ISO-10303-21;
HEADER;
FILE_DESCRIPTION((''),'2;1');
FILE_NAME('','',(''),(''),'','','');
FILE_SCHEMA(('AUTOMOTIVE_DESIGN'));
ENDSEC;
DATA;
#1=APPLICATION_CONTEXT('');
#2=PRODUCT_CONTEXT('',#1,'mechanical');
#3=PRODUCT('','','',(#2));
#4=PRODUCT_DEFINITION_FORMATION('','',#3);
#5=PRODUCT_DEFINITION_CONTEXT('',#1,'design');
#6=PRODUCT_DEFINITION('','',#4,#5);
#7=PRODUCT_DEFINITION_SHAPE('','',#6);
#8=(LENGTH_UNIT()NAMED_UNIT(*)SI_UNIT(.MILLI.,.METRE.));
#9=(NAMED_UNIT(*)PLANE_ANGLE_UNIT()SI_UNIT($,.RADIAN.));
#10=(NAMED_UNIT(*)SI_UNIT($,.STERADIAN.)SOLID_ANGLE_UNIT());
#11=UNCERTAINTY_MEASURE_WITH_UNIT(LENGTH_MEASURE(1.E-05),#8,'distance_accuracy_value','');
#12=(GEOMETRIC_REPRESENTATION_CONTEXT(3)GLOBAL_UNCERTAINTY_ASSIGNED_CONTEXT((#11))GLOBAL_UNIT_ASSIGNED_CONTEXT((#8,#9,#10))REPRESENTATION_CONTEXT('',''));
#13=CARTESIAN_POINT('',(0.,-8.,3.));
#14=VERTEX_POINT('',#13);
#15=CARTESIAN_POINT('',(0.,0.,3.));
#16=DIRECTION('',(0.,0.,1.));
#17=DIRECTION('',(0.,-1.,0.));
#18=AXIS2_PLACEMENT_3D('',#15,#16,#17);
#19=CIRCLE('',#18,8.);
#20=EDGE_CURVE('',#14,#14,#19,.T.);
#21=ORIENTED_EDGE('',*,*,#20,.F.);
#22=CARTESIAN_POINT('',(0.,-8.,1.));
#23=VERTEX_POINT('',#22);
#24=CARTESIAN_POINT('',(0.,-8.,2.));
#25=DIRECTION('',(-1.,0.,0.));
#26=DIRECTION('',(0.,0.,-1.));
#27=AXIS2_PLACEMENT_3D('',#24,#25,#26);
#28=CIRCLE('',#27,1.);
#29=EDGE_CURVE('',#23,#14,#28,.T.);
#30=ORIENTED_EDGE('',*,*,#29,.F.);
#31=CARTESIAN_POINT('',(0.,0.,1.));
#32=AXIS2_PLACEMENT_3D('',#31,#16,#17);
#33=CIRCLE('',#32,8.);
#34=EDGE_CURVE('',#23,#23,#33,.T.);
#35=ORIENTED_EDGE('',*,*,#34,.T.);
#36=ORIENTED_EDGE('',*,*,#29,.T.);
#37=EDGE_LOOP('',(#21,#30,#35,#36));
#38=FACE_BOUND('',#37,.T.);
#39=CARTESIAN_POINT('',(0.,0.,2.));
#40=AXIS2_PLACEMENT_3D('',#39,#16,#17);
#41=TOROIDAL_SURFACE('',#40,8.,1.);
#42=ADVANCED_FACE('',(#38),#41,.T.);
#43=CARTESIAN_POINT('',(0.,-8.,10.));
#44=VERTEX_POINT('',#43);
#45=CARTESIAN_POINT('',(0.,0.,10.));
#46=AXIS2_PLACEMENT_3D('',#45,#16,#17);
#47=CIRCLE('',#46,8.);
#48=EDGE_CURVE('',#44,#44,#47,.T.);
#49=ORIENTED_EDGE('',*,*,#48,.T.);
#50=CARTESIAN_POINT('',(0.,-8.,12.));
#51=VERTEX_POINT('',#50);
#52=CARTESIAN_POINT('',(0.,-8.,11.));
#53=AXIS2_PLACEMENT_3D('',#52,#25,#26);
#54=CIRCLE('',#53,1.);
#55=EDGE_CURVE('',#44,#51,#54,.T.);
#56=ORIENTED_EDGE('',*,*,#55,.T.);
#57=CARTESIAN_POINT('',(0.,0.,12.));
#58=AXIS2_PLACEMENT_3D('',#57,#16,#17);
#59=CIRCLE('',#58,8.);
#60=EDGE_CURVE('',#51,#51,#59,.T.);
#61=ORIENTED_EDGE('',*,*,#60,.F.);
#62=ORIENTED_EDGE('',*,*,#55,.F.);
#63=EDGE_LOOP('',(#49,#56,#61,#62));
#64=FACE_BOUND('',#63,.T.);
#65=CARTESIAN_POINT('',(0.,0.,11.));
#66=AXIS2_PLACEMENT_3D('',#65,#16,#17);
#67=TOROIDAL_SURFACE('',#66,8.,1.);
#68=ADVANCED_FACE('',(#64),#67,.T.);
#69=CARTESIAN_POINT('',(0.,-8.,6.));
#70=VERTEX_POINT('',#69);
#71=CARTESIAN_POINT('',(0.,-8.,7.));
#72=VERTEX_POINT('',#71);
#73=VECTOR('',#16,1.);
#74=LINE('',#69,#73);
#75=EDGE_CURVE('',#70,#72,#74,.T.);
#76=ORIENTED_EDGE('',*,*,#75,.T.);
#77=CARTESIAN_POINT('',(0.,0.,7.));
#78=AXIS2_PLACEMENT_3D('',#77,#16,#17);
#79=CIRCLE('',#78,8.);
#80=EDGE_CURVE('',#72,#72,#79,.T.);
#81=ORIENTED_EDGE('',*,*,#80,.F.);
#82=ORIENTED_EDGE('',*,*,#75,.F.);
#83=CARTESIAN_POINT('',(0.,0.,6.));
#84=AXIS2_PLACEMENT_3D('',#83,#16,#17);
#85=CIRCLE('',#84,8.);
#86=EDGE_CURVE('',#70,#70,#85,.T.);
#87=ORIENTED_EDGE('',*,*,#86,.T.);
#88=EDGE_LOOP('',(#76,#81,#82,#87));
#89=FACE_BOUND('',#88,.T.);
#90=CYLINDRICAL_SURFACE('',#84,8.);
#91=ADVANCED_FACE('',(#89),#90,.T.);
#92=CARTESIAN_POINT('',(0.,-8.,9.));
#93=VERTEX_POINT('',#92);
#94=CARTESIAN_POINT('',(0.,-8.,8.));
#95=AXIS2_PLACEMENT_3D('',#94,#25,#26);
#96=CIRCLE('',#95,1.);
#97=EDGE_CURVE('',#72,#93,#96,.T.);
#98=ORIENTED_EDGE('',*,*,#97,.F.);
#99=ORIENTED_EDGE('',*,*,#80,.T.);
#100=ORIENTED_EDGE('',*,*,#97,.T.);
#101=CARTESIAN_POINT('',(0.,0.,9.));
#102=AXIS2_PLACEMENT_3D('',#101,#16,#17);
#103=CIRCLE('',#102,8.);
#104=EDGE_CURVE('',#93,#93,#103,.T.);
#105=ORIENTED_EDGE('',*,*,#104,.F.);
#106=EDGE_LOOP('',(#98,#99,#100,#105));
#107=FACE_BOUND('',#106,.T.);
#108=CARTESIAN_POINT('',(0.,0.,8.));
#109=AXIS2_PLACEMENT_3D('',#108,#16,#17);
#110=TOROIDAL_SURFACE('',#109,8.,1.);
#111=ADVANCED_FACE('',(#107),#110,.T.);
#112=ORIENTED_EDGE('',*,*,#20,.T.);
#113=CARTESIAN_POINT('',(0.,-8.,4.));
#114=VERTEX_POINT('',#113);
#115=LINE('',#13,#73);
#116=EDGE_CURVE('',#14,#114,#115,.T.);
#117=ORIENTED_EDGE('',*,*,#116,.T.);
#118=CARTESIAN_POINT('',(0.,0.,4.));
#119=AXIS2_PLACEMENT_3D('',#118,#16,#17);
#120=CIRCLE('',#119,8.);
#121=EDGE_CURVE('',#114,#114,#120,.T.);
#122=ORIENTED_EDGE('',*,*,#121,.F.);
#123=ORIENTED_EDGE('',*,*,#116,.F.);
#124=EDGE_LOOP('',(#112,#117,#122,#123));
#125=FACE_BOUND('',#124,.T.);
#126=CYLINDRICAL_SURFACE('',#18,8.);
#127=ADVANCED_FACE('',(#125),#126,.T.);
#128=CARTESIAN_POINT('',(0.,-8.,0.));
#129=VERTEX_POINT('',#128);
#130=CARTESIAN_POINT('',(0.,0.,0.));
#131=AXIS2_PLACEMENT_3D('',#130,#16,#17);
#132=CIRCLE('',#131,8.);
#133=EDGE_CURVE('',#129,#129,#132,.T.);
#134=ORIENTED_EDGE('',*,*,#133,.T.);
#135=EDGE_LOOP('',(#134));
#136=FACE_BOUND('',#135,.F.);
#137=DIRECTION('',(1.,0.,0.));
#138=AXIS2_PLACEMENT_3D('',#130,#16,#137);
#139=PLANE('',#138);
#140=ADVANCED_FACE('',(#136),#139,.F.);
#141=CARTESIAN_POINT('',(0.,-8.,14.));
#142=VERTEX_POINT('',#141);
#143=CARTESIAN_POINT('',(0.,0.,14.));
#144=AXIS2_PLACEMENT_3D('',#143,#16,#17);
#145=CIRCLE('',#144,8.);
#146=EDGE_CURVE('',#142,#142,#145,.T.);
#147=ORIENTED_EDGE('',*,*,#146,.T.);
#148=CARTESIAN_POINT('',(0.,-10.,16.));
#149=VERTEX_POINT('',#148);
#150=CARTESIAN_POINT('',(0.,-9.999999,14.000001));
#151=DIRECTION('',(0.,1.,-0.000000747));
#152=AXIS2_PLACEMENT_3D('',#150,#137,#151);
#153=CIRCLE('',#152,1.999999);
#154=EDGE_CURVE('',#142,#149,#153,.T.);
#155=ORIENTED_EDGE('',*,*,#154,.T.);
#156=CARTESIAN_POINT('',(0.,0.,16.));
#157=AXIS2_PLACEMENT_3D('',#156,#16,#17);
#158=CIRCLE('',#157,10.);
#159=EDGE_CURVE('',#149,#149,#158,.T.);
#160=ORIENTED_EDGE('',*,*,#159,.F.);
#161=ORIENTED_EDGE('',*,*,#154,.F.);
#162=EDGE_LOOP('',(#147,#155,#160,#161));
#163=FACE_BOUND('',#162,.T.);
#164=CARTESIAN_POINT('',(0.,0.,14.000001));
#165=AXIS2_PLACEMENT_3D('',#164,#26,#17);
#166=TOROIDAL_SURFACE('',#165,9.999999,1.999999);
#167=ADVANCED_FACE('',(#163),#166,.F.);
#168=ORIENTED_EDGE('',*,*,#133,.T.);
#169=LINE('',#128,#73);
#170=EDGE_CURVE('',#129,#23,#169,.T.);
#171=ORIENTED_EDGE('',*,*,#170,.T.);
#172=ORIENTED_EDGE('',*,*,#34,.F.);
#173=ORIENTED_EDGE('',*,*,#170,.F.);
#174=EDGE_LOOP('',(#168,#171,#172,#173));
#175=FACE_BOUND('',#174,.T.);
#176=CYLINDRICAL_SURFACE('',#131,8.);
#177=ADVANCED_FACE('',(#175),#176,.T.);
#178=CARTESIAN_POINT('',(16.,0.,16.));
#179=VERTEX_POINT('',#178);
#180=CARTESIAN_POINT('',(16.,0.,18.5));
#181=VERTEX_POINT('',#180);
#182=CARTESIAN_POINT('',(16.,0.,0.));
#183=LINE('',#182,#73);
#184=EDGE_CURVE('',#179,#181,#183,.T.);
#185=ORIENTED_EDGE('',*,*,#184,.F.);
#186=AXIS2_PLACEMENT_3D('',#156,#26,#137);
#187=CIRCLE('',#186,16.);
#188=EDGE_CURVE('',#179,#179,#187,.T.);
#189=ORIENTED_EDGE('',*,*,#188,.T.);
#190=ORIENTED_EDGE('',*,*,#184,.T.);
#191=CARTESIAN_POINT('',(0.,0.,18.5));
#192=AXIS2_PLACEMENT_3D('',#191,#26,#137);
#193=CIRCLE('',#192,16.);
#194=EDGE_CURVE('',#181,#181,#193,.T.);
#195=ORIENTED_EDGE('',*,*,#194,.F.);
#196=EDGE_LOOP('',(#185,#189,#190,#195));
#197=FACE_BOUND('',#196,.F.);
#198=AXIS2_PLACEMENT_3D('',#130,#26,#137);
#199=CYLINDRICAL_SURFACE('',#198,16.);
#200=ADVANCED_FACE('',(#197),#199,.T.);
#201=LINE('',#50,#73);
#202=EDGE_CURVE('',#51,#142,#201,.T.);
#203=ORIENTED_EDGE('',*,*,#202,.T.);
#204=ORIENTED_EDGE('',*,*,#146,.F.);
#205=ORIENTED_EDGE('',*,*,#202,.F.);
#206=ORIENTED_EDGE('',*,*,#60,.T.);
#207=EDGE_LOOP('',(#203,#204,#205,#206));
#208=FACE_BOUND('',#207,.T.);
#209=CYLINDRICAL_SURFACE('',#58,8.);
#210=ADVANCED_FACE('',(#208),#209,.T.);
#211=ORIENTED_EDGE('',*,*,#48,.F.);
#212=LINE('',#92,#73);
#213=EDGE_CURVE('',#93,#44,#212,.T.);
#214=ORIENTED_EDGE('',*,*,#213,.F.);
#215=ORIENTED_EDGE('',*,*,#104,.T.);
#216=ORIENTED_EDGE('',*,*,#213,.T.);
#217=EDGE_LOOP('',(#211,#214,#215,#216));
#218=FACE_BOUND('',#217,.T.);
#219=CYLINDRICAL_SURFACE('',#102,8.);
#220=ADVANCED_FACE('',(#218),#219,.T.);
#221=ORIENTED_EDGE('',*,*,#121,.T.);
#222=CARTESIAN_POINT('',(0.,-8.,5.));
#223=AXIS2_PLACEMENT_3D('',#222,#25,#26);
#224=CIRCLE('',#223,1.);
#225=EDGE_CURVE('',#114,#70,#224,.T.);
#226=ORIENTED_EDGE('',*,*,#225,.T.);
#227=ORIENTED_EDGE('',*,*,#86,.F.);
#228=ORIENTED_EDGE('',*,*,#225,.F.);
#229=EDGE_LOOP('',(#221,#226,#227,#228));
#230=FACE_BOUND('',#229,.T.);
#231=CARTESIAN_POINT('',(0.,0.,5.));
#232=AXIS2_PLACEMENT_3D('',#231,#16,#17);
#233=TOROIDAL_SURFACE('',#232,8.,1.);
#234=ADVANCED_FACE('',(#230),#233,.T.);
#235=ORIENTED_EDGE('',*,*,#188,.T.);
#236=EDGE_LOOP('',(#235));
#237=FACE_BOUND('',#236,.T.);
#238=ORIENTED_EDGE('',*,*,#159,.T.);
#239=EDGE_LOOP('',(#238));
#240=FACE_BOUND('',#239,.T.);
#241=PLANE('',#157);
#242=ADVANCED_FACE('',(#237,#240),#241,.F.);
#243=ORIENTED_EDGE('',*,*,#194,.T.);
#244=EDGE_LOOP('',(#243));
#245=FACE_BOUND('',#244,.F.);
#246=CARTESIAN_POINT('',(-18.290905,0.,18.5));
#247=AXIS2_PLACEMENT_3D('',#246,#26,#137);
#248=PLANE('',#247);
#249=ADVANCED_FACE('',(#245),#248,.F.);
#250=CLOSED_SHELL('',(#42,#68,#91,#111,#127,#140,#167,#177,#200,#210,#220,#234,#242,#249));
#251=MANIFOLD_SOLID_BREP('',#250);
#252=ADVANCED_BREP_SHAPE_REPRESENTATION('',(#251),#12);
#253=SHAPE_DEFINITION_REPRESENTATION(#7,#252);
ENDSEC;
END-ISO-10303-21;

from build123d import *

# Parameters (mm, degrees)
F0_R     = 16
F1_DEPTH = 45
F3_DEPTH = 25
F7_DEPTH = 1
F8_W     = 37.770492
F8_H     = 32
F9_DEPTH = 25


with BuildPart() as f1:
    # F0 (on Top) → F1 (new body)
    with BuildSketch(Plane.XY):
        Circle(F0_R)
    extrude(amount=F1_DEPTH)

    # F2 (on Front) → F3 (cut, symmetric)
    with BuildSketch(Plane.XZ):
        Polygon((16, 45), (-16, 45), (16, 21), align=None)
    extrude(amount=F3_DEPTH, both=True, mode=Mode.SUBTRACT)

    # F4 (on Right) → F5 (revolve, cut)
    with BuildSketch(Plane.YZ):
        with BuildLine():
            Line((-10, 16), (-20, 16))
            Line((-20, 16), (-20, 0))
            Line((-20, 0), (-8, 0))
            Line((-8, 0), (-8, 1))
            ThreePointArc((-8, 1), (-9, 2), (-8, 3))
            Line((-8, 3), (-8, 4))
            ThreePointArc((-8, 4), (-9, 5), (-8, 6))
            Line((-8, 6), (-8, 7))
            ThreePointArc((-8, 7), (-9, 8), (-8, 9))
            Line((-8, 9), (-8, 10))
            ThreePointArc((-8, 10), (-9, 11), (-8, 12))
            Line((-8, 12), (-8, 14))
            ThreePointArc((-8, 14), (-8.585786, 15.414214), (-10, 16))
        make_face()
    revolve(axis=Axis((0, 0, 28.680155), (0, 0, 1)), mode=Mode.SUBTRACT)

    # F6 (on face) → F7 (cut)
    with BuildSketch(Plane(origin=(15.84, 0, 21.12), x_dir=(0.8, 0, -0.6), z_dir=(0.6, 0, 0.8))):
        with BuildLine():
            add(Edge.make_bspline(
                [(-19.3, -11.7), (13.78217, -11.7), (-2.758915, 5.85), (-19.3, 23.4), (-35.841085, 5.85), (-52.38217, -11.7), (-19.3, -11.7)],
                knots=[4.712389, 4.712389, 4.712389, 6.806784, 6.806784, 8.901179, 8.901179, 10.995574, 10.995574, 10.995574], degree=2, weights=[1, 0.5, 1, 0.5, 1, 0.5, 1]))
        make_face()
    extrude(amount=-F7_DEPTH, mode=Mode.SUBTRACT)

    # F8 (on Front) → F9 (cut, symmetric)
    with BuildSketch(Plane.XZ):
        with Locations((0.594341, 34.5)):
            Rectangle(F8_W, F8_H)
    extrude(amount=F9_DEPTH, both=True, mode=Mode.SUBTRACT)


solid = f1.part
